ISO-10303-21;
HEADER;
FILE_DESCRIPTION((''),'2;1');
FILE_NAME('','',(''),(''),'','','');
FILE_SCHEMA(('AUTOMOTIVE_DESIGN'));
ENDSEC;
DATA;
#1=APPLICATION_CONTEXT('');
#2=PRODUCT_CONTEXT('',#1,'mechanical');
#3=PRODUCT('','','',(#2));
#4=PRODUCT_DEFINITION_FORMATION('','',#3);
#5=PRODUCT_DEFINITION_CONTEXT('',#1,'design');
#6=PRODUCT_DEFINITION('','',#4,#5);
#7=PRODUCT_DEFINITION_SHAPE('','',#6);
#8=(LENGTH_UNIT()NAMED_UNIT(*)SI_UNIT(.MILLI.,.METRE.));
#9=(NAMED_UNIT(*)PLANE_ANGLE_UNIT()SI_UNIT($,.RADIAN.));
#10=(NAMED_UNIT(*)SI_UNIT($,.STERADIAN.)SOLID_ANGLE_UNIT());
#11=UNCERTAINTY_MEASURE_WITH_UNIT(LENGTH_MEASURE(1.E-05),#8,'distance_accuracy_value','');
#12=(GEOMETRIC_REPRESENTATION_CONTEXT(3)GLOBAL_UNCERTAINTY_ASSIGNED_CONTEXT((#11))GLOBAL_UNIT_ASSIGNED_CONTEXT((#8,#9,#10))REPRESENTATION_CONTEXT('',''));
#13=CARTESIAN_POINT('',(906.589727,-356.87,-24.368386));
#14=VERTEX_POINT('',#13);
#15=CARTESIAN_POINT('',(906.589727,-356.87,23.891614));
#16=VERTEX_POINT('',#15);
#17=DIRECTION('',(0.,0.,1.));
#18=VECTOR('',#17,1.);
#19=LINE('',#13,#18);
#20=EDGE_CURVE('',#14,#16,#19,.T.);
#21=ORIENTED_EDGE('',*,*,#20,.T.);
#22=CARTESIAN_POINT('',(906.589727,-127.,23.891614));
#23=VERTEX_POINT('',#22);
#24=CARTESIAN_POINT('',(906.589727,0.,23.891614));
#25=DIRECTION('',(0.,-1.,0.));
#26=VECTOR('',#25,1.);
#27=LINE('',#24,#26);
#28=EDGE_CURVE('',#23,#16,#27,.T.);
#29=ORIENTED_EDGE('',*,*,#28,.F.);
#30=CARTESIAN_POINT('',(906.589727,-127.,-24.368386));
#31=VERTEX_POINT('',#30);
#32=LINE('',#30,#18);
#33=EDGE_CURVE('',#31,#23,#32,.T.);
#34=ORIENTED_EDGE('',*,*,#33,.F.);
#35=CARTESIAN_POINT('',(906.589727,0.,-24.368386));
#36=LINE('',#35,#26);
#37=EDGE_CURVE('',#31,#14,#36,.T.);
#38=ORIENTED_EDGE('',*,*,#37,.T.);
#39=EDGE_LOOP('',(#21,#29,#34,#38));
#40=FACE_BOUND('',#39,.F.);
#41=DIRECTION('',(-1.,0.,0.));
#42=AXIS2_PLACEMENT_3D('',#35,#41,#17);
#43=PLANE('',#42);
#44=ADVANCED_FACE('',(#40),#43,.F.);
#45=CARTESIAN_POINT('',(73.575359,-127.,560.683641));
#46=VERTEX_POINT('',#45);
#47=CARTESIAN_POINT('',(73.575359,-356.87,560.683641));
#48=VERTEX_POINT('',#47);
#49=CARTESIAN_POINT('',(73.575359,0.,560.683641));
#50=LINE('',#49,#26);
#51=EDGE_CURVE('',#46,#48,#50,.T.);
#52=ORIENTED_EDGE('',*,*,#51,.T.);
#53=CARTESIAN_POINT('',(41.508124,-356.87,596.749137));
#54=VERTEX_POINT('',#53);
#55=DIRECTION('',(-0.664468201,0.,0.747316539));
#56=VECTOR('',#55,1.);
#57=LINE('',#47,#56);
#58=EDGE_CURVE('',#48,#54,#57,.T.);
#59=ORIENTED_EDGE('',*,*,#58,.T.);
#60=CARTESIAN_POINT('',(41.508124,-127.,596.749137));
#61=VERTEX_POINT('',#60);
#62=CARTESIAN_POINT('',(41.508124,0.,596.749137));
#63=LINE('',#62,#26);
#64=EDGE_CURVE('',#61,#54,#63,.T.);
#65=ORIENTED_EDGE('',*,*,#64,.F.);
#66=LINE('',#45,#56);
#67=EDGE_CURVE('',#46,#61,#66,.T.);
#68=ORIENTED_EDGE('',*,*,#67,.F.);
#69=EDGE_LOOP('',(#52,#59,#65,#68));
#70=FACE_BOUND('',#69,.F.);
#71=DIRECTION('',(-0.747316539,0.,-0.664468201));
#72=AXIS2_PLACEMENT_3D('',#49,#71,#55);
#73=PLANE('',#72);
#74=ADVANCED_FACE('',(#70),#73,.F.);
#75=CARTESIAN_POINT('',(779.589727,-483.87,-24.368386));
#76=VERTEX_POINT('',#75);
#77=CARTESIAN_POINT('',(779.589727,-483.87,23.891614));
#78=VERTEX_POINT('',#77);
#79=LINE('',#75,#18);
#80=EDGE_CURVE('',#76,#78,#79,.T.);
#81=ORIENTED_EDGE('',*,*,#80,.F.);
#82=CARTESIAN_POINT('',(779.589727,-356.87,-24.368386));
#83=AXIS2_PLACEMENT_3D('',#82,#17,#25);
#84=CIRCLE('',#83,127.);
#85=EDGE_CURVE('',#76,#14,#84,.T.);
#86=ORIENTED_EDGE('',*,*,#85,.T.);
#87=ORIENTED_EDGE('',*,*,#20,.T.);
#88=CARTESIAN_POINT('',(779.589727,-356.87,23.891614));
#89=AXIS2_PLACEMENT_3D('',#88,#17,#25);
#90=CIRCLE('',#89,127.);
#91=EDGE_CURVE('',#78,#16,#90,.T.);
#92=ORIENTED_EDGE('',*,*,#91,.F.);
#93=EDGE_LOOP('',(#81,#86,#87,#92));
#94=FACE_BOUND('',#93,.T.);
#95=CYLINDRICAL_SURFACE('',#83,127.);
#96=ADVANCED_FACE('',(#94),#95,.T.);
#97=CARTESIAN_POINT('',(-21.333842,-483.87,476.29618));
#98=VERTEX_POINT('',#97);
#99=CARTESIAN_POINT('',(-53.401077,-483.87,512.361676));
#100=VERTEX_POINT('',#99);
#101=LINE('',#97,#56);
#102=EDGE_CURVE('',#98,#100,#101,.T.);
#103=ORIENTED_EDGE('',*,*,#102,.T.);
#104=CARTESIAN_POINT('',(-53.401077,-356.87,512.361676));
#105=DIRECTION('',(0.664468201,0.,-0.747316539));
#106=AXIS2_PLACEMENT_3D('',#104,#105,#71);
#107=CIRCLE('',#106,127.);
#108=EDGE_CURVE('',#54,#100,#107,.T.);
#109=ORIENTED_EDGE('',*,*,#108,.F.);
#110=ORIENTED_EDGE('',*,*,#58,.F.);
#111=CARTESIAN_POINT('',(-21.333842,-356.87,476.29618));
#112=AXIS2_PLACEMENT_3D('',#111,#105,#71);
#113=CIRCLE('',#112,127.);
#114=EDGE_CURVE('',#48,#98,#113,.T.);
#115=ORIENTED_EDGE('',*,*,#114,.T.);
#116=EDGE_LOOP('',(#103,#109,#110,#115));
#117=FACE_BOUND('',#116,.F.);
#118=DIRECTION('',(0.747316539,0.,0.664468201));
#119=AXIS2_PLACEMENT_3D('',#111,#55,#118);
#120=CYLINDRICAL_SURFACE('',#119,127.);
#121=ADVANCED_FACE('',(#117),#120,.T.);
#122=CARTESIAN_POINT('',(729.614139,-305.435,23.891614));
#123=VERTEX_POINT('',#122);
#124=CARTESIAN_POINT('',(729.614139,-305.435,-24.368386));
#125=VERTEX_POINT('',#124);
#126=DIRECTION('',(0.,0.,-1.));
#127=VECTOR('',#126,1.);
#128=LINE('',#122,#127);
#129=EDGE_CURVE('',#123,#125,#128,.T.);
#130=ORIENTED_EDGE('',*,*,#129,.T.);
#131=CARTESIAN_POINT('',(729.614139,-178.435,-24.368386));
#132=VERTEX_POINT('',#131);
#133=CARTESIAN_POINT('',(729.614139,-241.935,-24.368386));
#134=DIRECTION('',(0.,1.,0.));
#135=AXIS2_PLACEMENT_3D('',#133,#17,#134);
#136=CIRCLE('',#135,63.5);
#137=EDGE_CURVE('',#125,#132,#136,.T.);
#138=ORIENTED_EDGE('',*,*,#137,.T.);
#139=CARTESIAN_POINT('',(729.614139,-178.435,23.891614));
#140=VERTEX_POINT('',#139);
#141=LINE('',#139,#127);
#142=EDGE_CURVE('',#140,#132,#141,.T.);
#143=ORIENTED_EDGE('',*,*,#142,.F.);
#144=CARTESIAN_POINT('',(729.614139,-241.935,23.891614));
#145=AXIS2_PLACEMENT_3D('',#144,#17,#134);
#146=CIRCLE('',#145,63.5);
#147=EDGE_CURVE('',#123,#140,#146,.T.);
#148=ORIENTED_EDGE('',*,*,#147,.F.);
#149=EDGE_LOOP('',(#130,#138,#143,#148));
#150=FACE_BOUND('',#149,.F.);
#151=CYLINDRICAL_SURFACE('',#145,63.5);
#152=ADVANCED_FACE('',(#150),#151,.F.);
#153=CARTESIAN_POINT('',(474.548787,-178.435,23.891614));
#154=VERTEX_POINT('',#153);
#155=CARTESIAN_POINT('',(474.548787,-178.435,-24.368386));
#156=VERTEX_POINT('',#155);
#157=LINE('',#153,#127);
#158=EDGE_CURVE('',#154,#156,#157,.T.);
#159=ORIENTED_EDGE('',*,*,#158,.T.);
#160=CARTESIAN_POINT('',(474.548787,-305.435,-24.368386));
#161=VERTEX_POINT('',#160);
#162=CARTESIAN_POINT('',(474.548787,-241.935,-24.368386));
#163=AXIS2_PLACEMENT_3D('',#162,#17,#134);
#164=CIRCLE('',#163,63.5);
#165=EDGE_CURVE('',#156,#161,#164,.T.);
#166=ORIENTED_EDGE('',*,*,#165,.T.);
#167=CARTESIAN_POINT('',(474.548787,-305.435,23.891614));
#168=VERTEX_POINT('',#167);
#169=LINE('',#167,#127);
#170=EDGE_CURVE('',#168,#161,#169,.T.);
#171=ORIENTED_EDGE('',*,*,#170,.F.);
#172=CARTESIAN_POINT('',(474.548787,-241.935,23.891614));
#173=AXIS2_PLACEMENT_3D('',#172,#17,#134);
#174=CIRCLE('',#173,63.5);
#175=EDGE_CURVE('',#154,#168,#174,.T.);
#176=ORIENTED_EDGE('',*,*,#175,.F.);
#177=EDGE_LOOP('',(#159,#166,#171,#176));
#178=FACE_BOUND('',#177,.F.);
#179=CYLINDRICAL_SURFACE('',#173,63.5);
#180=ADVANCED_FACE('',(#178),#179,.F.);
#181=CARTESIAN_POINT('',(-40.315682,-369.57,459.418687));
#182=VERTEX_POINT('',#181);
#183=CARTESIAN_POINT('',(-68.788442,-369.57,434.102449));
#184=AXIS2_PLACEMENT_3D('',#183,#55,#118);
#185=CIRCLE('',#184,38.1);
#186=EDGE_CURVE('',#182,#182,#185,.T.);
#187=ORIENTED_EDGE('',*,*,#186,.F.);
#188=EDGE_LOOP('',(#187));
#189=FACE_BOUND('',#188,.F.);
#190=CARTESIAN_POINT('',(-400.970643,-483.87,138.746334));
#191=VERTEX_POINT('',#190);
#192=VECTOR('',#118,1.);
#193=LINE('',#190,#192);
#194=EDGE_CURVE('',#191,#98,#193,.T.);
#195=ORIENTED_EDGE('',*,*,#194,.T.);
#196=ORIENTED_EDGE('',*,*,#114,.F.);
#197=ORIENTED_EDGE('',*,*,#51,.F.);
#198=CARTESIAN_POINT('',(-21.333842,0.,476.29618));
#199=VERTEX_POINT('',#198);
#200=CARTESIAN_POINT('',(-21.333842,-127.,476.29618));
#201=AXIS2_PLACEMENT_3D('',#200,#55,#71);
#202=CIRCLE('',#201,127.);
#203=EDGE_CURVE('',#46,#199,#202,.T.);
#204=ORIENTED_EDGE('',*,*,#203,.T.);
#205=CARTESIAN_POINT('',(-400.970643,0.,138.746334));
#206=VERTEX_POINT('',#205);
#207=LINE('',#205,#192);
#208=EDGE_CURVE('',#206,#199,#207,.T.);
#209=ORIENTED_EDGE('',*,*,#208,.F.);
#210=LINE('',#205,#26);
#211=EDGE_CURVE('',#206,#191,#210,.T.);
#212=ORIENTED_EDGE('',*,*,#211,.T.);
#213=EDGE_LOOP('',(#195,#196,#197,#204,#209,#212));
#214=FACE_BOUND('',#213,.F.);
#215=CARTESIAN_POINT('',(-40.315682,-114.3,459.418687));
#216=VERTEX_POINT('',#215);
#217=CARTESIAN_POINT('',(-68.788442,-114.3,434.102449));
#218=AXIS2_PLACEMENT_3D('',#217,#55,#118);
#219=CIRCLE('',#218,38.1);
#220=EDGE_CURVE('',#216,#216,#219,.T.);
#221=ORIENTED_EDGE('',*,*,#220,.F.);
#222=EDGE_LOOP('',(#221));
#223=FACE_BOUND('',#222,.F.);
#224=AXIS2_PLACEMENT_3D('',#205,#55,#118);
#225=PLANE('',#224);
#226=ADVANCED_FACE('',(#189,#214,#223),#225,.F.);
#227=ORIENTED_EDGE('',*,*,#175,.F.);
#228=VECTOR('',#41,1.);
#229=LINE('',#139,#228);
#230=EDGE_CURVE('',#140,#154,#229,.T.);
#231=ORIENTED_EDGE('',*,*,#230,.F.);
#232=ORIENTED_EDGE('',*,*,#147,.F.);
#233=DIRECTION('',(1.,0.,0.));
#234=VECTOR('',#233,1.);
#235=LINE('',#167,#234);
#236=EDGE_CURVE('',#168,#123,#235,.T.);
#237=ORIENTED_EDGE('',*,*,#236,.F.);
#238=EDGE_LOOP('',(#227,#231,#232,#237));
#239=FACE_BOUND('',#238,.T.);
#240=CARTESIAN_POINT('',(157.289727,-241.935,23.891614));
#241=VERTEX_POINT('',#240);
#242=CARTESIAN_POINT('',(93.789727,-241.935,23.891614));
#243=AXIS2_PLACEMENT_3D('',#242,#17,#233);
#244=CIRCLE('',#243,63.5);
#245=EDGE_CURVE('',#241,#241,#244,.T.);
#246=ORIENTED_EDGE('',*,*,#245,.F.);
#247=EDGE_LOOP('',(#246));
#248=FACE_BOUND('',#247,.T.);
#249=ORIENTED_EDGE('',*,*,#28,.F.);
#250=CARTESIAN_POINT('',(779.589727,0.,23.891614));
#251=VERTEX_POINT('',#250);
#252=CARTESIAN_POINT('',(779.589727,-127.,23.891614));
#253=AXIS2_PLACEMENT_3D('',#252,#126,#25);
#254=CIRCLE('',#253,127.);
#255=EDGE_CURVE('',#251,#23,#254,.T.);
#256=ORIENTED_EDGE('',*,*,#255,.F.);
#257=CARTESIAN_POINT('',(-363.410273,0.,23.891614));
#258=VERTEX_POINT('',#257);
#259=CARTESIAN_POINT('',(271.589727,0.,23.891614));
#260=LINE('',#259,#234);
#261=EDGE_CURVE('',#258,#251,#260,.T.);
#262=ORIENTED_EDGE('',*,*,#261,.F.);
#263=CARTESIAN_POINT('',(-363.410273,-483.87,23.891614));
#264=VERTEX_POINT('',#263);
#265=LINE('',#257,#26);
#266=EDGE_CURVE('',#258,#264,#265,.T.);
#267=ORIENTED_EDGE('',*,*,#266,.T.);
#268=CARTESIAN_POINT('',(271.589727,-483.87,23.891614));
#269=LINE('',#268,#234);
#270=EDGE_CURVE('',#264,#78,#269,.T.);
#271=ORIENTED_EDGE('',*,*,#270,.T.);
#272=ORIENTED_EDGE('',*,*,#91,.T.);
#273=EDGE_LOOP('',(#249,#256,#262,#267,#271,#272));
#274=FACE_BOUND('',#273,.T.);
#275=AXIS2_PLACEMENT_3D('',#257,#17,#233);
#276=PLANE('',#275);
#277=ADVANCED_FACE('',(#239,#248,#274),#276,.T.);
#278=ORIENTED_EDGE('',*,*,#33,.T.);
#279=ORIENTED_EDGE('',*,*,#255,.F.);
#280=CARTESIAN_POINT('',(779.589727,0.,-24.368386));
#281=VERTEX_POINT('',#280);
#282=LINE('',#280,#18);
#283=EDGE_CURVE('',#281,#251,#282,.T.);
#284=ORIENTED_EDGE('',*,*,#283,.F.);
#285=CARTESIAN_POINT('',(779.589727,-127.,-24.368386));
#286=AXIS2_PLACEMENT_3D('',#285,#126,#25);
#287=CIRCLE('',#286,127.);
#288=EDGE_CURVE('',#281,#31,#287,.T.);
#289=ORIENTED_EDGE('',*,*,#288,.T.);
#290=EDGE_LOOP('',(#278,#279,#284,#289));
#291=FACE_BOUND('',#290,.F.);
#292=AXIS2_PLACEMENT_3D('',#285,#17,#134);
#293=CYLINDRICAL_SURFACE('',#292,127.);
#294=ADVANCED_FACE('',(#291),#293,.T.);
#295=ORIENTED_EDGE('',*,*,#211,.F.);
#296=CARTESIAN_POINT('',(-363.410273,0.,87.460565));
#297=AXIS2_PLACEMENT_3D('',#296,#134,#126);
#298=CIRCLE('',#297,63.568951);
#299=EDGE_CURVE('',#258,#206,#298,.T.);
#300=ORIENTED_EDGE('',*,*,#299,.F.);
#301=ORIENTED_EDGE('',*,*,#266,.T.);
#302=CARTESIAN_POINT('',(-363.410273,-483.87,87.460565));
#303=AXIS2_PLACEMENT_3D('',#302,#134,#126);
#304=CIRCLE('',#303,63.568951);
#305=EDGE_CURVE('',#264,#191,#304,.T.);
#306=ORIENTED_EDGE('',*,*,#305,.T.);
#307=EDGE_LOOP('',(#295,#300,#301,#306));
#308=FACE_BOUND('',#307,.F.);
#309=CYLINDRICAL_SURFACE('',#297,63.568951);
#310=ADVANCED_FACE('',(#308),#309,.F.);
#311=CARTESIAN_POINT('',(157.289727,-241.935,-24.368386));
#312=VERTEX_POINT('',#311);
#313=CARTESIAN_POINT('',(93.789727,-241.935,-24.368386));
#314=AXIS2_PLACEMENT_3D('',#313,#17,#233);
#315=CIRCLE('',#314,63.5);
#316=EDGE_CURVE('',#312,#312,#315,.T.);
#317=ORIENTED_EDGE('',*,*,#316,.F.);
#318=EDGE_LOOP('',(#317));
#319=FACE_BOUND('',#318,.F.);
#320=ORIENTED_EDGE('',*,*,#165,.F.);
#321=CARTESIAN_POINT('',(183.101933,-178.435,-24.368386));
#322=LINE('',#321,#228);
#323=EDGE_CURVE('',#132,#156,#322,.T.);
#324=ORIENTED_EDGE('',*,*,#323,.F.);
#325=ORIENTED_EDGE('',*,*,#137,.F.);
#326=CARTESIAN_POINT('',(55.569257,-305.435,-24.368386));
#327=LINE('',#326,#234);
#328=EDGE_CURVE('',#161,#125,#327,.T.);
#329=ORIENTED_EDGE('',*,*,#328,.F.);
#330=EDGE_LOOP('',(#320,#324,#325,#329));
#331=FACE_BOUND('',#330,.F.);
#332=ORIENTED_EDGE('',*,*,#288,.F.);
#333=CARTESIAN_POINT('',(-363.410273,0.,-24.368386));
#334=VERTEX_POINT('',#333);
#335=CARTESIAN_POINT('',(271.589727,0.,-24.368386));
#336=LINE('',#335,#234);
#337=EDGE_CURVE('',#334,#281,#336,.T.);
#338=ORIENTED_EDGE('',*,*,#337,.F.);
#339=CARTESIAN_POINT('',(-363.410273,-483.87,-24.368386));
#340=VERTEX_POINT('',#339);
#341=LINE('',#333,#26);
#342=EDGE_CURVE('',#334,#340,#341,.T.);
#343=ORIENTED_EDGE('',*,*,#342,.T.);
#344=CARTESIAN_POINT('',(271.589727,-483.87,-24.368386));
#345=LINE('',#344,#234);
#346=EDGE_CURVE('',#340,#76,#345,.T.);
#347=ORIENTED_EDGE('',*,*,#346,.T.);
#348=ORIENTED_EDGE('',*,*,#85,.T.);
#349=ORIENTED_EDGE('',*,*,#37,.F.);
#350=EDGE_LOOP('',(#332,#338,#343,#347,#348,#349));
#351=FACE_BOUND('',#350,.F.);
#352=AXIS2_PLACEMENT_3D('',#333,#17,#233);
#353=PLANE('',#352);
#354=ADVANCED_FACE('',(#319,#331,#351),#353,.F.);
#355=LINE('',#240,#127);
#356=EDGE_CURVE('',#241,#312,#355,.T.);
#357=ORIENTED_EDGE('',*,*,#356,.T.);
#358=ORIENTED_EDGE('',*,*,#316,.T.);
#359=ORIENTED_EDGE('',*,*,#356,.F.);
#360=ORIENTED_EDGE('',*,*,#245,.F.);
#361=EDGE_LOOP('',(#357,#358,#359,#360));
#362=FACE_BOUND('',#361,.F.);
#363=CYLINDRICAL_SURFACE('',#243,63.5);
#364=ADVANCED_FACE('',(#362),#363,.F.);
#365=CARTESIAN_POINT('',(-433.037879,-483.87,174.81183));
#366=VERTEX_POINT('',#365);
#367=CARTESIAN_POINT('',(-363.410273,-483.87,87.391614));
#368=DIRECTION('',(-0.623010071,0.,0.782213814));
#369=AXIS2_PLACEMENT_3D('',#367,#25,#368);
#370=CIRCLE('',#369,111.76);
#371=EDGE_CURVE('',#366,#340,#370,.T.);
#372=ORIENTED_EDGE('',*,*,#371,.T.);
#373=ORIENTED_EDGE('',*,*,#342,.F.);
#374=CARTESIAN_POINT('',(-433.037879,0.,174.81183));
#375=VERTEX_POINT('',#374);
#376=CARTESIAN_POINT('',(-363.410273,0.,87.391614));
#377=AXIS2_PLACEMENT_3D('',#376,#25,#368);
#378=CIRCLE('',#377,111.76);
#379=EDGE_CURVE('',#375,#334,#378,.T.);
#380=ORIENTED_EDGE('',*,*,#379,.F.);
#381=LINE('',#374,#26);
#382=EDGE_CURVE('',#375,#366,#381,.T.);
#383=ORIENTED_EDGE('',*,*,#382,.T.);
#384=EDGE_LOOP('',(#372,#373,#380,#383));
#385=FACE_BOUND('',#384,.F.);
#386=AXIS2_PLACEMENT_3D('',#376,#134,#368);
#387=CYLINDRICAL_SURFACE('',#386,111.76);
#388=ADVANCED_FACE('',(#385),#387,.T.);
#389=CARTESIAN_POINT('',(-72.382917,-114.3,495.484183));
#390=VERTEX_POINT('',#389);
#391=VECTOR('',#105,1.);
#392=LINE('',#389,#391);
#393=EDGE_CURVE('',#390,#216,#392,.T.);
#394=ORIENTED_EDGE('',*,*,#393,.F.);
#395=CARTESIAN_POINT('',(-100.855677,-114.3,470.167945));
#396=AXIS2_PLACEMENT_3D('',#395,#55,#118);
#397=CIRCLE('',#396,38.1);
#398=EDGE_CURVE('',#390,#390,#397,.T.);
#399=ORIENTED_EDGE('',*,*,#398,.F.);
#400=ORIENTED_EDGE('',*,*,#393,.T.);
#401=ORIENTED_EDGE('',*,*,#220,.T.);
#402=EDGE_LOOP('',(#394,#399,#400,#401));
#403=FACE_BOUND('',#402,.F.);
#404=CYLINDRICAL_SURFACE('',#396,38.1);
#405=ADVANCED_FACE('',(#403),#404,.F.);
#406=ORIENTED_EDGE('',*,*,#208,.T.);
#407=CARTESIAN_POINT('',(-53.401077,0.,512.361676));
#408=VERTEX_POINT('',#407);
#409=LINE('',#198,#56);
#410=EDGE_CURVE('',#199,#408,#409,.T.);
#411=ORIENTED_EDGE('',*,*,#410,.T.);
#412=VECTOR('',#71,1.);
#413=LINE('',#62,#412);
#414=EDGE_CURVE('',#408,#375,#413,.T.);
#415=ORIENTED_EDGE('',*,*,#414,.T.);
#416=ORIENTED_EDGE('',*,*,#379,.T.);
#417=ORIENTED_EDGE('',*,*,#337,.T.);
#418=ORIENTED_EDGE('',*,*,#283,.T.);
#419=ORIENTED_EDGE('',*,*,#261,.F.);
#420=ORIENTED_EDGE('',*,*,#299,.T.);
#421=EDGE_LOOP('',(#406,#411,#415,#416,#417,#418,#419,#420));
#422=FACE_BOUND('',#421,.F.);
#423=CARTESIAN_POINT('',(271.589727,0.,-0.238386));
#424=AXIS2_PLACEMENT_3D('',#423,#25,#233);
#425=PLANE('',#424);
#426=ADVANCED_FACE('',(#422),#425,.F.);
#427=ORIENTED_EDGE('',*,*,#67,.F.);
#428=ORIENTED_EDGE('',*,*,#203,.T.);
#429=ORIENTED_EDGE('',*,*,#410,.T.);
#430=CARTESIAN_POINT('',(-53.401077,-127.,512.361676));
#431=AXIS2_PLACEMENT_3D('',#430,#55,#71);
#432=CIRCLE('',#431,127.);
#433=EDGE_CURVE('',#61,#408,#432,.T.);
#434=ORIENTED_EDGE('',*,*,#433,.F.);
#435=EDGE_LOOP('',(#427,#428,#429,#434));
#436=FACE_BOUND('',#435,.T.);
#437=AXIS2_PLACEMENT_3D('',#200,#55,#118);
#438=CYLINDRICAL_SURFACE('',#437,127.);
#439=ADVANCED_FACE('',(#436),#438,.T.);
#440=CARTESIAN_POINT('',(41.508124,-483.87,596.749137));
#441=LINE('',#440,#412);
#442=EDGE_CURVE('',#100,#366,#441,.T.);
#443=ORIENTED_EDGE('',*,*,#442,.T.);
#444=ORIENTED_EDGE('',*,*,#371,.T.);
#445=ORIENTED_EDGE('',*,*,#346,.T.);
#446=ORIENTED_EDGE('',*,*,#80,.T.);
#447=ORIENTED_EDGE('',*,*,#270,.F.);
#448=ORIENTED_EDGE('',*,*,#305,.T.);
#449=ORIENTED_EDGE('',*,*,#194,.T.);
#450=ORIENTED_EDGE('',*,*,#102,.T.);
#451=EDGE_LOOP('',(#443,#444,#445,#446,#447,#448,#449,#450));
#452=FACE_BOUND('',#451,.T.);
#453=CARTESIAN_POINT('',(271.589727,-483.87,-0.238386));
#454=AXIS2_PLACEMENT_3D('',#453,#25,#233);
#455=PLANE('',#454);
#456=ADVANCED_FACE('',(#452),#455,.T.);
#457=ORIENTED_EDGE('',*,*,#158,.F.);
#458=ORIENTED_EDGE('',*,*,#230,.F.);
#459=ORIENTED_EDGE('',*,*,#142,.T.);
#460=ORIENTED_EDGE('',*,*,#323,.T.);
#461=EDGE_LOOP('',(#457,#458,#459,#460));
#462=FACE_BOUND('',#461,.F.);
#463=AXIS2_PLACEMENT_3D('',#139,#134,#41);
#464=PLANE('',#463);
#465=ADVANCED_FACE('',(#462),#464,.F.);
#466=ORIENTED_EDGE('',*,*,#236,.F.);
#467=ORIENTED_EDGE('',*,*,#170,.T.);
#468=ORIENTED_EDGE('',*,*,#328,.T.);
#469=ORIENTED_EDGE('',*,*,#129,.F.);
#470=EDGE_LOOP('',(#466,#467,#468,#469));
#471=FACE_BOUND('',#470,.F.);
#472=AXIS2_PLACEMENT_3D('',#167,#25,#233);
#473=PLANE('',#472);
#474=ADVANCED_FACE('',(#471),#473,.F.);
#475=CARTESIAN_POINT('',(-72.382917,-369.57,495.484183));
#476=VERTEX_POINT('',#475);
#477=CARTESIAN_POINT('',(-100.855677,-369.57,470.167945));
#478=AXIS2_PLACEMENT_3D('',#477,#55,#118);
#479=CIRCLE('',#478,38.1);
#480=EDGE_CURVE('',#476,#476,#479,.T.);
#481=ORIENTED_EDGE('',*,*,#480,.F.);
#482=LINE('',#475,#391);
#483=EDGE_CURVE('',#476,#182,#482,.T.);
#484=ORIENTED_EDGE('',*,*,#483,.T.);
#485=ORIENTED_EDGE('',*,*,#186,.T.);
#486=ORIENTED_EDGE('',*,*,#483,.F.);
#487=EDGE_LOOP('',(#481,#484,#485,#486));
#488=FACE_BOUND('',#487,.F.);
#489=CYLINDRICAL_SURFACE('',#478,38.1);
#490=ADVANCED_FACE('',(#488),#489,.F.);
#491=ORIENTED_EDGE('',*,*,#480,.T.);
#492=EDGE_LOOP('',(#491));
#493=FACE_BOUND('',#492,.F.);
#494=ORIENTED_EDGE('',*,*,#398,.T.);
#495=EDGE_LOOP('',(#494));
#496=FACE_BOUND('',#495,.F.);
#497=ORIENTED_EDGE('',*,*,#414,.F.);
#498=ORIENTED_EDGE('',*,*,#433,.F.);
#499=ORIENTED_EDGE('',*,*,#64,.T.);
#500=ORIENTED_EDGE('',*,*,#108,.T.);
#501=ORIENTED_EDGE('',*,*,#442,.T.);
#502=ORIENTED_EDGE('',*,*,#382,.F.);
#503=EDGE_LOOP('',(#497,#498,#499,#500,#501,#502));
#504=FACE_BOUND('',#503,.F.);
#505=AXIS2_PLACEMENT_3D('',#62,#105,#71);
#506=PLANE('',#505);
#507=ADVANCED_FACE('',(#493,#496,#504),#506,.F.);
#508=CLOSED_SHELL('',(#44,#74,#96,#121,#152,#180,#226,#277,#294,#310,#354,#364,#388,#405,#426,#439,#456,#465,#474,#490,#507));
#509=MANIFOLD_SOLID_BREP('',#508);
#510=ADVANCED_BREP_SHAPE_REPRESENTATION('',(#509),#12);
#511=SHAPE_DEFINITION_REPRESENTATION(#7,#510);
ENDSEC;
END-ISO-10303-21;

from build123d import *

# Parameters (mm, degrees)
F0_W          = 1270
F0_H          = 48.26
F1_DEPTH      = 483.87
F2_R          = 127
F3_R          = 127
F4_R          = 38.1
F5_DEPTH      = 119.38
F6_R          = 63.5
F7_DEPTH      = 76.2
F7_DEPTH_BACK = 76.2


with BuildPart() as f1:
    # F0 (on Front) → F1 (new body)
    with BuildSketch(Plane.XZ):
        with Locations((271.5897267231, -0.2383861614)):
            Rectangle(F0_W, F0_H)
        with BuildLine():
            Line((-363.4102732769, -24.3683861614), (-363.4102732769, 23.8916138386))
            ThreePointArc((-363.4102732769, 23.8916138386), (-423.8304438336, 67.7016554332), (-400.9706434856, 138.7463335075))
            Line((-400.9706434856, 138.7463335075), (-433.0378788647, 174.8118296935))
            ThreePointArc((-433.0378788647, 174.8118296935), (-468.9099911057, 50.5119834442), (-363.4102732769, -24.3683861614))
        make_face()
        Polygon((-433.0378788647, 174.8118296935), (-400.9706434856, 138.7463335075), (73.5753589619, 560.6836411268), (41.5081235828, 596.7491373128), align=None)
    extrude(amount=F1_DEPTH)

    # F2
    f2_edges = [f1.edges().sort_by_distance(p)[0] for p in [
        (57.541741, 0, 578.716389),
        (57.541741, -483.87, 578.716389),
    ]]
    fillet(f2_edges, radius=F2_R)

    # F3
    f3_edges = [f1.edges().sort_by_distance(p)[0] for p in [
        (906.589727, -483.87, -0.238386),
        (906.589727, 0, -0.238386),
    ]]
    fillet(f3_edges, radius=F3_R)

    # F4 (on face) → F5 (cut)
    with BuildSketch(Plane(origin=(-277.999987923, 0, 312.6620485248), x_dir=(0.7473165393, 0, 0.664468201), z_dir=(-0.664468201, 0, 0.7473165393))):
        with Locations((237.0405329721, -114.3)):
            Circle(F4_R)
        with Locations((237.0405329721, -369.57)):
            Circle(F4_R)
    extrude(amount=-F5_DEPTH, mode=Mode.SUBTRACT)

    # F6 (on face) → F7 (cut, two sides)
    with BuildSketch(Plane.XY.offset(23.8916138386)) as f7_sk:
        with Locations((93.7897267231, -241.935)):
            Circle(F6_R)
        with BuildLine():
            ThreePointArc((538.0487868786, -241.935), (519.4500674839, -197.0337193947), (474.5487868786, -178.435))
            ThreePointArc((474.5487868786, -178.435), (411.0487868786, -241.935), (474.5487868786, -305.435))
            ThreePointArc((474.5487868786, -305.435), (519.4500674839, -286.8362806053), (538.0487868786, -241.935))
        make_face()
        with BuildLine():
            ThreePointArc((729.6141386032, -305.435), (666.1141386032, -241.935), (729.6141386032, -178.435))
            Line((729.6141386032, -178.435), (474.5487868786, -178.435))
            ThreePointArc((474.5487868786, -178.435), (519.4500674839, -197.0337193947), (538.0487868786, -241.935))
            ThreePointArc((538.0487868786, -241.935), (519.4500674839, -286.8362806053), (474.5487868786, -305.435))
            Line((474.5487868786, -305.435), (729.6141386032, -305.435))
        make_face()
        with BuildLine():
            ThreePointArc((729.6141386032, -305.435), (774.5154192086, -286.8362806053), (793.1141386032, -241.935))
            ThreePointArc((793.1141386032, -241.935), (774.5154192086, -197.0337193947), (729.6141386032, -178.435))
            ThreePointArc((729.6141386032, -178.435), (666.1141386032, -241.935), (729.6141386032, -305.435))
        make_face()
    extrude(amount=-F7_DEPTH, mode=Mode.SUBTRACT)
    extrude(f7_sk.sketch, amount=F7_DEPTH_BACK, mode=Mode.SUBTRACT)


solid = f1.part
